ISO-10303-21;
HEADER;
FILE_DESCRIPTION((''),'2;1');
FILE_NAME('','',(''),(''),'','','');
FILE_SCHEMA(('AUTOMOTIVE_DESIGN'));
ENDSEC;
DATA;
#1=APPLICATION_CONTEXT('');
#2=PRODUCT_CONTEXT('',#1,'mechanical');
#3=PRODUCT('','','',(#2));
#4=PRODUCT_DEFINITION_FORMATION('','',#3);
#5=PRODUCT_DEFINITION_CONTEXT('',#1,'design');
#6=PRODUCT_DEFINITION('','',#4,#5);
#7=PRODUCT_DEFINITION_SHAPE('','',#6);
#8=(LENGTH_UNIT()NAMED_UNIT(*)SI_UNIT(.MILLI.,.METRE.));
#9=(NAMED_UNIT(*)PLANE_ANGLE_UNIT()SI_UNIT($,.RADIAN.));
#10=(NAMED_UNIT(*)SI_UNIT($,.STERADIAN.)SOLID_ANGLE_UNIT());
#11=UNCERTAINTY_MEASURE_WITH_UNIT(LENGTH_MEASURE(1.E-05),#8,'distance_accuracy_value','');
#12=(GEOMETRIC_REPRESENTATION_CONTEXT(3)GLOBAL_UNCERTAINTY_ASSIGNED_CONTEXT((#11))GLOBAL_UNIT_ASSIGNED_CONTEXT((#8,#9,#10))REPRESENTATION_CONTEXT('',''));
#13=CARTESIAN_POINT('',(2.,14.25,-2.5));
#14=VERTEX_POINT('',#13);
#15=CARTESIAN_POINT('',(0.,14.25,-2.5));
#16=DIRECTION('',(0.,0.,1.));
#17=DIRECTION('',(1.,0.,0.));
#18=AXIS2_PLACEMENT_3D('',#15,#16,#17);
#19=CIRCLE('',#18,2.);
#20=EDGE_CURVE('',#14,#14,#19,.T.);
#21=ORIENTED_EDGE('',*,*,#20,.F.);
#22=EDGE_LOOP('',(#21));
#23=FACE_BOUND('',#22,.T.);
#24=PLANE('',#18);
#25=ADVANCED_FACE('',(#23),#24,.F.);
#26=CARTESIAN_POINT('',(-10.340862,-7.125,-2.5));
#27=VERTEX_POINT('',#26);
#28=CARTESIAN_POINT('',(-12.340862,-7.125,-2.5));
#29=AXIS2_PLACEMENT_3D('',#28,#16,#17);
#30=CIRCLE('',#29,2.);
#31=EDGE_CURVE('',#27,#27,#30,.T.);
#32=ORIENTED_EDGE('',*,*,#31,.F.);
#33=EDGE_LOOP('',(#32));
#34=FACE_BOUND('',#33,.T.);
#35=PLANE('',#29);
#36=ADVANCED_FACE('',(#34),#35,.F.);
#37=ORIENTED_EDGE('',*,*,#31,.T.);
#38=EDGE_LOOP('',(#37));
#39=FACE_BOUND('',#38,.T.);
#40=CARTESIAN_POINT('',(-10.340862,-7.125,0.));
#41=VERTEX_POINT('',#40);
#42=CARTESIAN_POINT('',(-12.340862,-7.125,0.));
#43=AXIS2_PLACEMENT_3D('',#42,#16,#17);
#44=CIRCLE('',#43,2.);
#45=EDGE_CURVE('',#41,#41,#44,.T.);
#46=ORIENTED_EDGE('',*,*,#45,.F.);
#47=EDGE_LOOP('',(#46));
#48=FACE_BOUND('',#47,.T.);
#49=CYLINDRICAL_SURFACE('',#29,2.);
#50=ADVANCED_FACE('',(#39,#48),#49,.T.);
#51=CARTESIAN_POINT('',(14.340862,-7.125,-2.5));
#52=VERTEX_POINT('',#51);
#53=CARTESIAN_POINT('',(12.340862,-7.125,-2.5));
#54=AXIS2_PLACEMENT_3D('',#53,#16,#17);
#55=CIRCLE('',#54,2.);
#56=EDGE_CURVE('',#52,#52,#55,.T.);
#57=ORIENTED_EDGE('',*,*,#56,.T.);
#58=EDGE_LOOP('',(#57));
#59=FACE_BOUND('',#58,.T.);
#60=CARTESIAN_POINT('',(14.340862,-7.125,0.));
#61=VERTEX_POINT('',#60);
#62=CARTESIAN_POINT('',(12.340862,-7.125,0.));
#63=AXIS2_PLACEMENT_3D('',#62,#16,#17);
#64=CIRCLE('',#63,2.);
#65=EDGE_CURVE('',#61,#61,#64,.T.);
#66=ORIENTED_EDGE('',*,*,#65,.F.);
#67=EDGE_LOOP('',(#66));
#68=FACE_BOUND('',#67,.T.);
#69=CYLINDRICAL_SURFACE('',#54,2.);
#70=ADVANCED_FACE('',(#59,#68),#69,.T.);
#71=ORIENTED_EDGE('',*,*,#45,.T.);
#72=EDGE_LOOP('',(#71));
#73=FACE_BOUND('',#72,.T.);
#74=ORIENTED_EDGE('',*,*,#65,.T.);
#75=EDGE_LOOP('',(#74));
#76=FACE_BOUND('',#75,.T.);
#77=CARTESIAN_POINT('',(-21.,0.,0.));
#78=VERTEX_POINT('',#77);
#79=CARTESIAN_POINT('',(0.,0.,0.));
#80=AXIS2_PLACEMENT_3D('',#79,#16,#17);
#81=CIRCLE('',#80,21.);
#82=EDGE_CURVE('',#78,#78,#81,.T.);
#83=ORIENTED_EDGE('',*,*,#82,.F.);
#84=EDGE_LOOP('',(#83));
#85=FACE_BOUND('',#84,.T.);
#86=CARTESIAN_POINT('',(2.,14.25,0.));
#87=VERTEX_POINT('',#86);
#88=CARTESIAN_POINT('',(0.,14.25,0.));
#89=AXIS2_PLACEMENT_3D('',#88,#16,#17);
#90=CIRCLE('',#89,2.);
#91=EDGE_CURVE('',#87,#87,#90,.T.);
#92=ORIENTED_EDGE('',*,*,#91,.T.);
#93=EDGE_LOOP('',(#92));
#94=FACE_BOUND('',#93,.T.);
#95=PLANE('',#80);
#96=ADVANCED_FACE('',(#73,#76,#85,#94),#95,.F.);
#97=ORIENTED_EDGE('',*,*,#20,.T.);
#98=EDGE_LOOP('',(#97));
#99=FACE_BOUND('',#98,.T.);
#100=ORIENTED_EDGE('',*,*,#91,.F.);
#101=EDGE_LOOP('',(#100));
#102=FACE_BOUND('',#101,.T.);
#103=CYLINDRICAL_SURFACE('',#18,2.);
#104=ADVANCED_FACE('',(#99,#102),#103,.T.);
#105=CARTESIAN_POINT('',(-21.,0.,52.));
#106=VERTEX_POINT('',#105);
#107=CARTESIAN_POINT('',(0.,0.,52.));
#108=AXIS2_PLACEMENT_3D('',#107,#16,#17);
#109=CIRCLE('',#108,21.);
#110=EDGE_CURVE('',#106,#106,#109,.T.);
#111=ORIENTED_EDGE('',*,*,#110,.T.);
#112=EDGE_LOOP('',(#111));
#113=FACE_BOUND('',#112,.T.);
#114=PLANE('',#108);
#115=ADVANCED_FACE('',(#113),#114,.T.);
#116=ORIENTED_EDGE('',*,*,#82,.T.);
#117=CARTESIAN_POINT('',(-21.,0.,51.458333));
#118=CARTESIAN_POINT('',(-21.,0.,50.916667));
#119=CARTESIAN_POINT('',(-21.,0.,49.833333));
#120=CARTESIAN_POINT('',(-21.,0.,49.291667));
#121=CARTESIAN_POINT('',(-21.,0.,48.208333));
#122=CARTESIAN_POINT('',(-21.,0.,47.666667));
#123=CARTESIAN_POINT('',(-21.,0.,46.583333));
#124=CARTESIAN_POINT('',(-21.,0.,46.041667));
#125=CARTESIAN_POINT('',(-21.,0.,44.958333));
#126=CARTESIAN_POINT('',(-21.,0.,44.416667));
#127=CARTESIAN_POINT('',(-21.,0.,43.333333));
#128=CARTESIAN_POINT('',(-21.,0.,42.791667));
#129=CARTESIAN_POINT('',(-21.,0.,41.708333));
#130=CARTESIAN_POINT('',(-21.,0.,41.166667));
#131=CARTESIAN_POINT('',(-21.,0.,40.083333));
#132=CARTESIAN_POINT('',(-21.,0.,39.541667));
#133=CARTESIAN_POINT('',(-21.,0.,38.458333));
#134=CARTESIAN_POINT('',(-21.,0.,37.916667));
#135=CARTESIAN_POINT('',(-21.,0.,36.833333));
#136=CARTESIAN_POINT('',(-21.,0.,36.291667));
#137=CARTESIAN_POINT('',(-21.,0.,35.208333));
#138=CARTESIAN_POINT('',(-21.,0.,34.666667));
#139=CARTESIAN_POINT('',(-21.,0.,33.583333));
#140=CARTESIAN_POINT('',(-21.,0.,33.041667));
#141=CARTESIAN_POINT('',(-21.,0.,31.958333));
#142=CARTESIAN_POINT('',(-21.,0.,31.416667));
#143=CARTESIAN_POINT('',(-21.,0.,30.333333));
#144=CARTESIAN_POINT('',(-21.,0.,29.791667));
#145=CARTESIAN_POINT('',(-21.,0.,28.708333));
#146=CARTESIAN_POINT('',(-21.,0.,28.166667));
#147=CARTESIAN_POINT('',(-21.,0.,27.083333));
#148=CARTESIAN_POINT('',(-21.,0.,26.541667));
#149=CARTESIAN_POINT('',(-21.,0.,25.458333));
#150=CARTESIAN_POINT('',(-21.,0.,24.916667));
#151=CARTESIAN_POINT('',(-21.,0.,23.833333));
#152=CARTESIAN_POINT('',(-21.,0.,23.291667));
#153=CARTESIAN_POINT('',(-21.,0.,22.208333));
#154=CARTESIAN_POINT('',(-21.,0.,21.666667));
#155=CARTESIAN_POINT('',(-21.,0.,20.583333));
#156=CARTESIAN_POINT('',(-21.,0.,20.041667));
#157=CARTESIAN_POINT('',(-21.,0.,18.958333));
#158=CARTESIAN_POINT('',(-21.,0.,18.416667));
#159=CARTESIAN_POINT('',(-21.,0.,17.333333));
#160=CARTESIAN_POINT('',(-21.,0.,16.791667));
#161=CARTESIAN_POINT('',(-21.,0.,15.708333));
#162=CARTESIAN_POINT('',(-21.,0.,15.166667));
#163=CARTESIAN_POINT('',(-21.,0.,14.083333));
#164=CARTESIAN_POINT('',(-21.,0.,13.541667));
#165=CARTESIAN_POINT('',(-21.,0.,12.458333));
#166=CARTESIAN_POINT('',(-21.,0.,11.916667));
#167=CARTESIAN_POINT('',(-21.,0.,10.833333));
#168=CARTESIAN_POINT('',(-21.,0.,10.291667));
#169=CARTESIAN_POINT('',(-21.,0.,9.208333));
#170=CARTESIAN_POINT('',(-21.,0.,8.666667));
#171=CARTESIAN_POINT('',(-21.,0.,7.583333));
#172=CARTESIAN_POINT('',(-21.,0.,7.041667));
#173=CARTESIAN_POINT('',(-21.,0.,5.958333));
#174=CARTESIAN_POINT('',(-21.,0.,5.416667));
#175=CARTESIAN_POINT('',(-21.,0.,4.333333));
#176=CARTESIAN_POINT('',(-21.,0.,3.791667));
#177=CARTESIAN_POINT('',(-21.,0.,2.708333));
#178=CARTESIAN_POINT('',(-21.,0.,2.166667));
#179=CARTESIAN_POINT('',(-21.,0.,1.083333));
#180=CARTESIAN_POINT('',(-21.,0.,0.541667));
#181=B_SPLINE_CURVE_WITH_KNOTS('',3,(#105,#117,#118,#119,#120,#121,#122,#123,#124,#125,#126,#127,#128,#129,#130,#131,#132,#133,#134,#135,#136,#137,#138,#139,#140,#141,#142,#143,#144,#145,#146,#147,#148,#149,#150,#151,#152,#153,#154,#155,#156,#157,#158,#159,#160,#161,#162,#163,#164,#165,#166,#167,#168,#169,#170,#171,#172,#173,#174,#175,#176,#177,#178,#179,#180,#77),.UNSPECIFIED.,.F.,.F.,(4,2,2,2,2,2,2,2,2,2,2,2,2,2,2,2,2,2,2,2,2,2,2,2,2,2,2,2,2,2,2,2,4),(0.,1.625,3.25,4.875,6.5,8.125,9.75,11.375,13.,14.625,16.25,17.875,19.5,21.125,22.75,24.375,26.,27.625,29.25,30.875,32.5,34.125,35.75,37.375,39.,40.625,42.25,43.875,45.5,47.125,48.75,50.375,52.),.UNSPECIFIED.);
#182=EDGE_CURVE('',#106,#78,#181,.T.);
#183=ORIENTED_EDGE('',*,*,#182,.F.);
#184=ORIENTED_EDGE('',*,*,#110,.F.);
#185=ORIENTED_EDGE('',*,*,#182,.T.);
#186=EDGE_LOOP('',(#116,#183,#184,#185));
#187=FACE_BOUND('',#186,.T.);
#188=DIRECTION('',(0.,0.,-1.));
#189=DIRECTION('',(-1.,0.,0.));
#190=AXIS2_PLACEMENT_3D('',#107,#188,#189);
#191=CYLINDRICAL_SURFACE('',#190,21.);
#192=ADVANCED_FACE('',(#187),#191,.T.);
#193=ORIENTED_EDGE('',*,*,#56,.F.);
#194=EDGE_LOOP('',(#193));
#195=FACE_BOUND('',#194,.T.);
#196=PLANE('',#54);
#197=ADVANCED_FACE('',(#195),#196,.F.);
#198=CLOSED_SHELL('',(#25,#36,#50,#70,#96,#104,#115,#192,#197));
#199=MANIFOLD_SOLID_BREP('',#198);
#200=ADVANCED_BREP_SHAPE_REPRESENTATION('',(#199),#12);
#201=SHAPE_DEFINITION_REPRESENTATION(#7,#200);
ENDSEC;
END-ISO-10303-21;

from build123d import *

# Parameters (mm, degrees)
SKETCH1_R           = 21
BOSS_EXTRUDE1_DEPTH = 52
SKETCH2_R           = 2
BOSS_EXTRUDE2_DEPTH = 2.5


with BuildPart() as part:
    # Sketch1 → Boss-Extrude1 (new body)
    with BuildSketch(Plane.XY):
        with Locations(Location((0, 0, 0), (0, 0, 180))):
            Circle(SKETCH1_R)
    extrude(amount=BOSS_EXTRUDE1_DEPTH)

    # Sketch2 → Boss-Extrude2 (add)
    with BuildSketch(Plane.XY):
        with Locations((0, 14.25)):
            Circle(SKETCH2_R)
        with Locations((12.340862004, -7.125)):
            Circle(SKETCH2_R)
        with Locations((-12.340862004, -7.125)):
            Circle(SKETCH2_R)
    extrude(amount=-BOSS_EXTRUDE2_DEPTH)


solid = part.part
